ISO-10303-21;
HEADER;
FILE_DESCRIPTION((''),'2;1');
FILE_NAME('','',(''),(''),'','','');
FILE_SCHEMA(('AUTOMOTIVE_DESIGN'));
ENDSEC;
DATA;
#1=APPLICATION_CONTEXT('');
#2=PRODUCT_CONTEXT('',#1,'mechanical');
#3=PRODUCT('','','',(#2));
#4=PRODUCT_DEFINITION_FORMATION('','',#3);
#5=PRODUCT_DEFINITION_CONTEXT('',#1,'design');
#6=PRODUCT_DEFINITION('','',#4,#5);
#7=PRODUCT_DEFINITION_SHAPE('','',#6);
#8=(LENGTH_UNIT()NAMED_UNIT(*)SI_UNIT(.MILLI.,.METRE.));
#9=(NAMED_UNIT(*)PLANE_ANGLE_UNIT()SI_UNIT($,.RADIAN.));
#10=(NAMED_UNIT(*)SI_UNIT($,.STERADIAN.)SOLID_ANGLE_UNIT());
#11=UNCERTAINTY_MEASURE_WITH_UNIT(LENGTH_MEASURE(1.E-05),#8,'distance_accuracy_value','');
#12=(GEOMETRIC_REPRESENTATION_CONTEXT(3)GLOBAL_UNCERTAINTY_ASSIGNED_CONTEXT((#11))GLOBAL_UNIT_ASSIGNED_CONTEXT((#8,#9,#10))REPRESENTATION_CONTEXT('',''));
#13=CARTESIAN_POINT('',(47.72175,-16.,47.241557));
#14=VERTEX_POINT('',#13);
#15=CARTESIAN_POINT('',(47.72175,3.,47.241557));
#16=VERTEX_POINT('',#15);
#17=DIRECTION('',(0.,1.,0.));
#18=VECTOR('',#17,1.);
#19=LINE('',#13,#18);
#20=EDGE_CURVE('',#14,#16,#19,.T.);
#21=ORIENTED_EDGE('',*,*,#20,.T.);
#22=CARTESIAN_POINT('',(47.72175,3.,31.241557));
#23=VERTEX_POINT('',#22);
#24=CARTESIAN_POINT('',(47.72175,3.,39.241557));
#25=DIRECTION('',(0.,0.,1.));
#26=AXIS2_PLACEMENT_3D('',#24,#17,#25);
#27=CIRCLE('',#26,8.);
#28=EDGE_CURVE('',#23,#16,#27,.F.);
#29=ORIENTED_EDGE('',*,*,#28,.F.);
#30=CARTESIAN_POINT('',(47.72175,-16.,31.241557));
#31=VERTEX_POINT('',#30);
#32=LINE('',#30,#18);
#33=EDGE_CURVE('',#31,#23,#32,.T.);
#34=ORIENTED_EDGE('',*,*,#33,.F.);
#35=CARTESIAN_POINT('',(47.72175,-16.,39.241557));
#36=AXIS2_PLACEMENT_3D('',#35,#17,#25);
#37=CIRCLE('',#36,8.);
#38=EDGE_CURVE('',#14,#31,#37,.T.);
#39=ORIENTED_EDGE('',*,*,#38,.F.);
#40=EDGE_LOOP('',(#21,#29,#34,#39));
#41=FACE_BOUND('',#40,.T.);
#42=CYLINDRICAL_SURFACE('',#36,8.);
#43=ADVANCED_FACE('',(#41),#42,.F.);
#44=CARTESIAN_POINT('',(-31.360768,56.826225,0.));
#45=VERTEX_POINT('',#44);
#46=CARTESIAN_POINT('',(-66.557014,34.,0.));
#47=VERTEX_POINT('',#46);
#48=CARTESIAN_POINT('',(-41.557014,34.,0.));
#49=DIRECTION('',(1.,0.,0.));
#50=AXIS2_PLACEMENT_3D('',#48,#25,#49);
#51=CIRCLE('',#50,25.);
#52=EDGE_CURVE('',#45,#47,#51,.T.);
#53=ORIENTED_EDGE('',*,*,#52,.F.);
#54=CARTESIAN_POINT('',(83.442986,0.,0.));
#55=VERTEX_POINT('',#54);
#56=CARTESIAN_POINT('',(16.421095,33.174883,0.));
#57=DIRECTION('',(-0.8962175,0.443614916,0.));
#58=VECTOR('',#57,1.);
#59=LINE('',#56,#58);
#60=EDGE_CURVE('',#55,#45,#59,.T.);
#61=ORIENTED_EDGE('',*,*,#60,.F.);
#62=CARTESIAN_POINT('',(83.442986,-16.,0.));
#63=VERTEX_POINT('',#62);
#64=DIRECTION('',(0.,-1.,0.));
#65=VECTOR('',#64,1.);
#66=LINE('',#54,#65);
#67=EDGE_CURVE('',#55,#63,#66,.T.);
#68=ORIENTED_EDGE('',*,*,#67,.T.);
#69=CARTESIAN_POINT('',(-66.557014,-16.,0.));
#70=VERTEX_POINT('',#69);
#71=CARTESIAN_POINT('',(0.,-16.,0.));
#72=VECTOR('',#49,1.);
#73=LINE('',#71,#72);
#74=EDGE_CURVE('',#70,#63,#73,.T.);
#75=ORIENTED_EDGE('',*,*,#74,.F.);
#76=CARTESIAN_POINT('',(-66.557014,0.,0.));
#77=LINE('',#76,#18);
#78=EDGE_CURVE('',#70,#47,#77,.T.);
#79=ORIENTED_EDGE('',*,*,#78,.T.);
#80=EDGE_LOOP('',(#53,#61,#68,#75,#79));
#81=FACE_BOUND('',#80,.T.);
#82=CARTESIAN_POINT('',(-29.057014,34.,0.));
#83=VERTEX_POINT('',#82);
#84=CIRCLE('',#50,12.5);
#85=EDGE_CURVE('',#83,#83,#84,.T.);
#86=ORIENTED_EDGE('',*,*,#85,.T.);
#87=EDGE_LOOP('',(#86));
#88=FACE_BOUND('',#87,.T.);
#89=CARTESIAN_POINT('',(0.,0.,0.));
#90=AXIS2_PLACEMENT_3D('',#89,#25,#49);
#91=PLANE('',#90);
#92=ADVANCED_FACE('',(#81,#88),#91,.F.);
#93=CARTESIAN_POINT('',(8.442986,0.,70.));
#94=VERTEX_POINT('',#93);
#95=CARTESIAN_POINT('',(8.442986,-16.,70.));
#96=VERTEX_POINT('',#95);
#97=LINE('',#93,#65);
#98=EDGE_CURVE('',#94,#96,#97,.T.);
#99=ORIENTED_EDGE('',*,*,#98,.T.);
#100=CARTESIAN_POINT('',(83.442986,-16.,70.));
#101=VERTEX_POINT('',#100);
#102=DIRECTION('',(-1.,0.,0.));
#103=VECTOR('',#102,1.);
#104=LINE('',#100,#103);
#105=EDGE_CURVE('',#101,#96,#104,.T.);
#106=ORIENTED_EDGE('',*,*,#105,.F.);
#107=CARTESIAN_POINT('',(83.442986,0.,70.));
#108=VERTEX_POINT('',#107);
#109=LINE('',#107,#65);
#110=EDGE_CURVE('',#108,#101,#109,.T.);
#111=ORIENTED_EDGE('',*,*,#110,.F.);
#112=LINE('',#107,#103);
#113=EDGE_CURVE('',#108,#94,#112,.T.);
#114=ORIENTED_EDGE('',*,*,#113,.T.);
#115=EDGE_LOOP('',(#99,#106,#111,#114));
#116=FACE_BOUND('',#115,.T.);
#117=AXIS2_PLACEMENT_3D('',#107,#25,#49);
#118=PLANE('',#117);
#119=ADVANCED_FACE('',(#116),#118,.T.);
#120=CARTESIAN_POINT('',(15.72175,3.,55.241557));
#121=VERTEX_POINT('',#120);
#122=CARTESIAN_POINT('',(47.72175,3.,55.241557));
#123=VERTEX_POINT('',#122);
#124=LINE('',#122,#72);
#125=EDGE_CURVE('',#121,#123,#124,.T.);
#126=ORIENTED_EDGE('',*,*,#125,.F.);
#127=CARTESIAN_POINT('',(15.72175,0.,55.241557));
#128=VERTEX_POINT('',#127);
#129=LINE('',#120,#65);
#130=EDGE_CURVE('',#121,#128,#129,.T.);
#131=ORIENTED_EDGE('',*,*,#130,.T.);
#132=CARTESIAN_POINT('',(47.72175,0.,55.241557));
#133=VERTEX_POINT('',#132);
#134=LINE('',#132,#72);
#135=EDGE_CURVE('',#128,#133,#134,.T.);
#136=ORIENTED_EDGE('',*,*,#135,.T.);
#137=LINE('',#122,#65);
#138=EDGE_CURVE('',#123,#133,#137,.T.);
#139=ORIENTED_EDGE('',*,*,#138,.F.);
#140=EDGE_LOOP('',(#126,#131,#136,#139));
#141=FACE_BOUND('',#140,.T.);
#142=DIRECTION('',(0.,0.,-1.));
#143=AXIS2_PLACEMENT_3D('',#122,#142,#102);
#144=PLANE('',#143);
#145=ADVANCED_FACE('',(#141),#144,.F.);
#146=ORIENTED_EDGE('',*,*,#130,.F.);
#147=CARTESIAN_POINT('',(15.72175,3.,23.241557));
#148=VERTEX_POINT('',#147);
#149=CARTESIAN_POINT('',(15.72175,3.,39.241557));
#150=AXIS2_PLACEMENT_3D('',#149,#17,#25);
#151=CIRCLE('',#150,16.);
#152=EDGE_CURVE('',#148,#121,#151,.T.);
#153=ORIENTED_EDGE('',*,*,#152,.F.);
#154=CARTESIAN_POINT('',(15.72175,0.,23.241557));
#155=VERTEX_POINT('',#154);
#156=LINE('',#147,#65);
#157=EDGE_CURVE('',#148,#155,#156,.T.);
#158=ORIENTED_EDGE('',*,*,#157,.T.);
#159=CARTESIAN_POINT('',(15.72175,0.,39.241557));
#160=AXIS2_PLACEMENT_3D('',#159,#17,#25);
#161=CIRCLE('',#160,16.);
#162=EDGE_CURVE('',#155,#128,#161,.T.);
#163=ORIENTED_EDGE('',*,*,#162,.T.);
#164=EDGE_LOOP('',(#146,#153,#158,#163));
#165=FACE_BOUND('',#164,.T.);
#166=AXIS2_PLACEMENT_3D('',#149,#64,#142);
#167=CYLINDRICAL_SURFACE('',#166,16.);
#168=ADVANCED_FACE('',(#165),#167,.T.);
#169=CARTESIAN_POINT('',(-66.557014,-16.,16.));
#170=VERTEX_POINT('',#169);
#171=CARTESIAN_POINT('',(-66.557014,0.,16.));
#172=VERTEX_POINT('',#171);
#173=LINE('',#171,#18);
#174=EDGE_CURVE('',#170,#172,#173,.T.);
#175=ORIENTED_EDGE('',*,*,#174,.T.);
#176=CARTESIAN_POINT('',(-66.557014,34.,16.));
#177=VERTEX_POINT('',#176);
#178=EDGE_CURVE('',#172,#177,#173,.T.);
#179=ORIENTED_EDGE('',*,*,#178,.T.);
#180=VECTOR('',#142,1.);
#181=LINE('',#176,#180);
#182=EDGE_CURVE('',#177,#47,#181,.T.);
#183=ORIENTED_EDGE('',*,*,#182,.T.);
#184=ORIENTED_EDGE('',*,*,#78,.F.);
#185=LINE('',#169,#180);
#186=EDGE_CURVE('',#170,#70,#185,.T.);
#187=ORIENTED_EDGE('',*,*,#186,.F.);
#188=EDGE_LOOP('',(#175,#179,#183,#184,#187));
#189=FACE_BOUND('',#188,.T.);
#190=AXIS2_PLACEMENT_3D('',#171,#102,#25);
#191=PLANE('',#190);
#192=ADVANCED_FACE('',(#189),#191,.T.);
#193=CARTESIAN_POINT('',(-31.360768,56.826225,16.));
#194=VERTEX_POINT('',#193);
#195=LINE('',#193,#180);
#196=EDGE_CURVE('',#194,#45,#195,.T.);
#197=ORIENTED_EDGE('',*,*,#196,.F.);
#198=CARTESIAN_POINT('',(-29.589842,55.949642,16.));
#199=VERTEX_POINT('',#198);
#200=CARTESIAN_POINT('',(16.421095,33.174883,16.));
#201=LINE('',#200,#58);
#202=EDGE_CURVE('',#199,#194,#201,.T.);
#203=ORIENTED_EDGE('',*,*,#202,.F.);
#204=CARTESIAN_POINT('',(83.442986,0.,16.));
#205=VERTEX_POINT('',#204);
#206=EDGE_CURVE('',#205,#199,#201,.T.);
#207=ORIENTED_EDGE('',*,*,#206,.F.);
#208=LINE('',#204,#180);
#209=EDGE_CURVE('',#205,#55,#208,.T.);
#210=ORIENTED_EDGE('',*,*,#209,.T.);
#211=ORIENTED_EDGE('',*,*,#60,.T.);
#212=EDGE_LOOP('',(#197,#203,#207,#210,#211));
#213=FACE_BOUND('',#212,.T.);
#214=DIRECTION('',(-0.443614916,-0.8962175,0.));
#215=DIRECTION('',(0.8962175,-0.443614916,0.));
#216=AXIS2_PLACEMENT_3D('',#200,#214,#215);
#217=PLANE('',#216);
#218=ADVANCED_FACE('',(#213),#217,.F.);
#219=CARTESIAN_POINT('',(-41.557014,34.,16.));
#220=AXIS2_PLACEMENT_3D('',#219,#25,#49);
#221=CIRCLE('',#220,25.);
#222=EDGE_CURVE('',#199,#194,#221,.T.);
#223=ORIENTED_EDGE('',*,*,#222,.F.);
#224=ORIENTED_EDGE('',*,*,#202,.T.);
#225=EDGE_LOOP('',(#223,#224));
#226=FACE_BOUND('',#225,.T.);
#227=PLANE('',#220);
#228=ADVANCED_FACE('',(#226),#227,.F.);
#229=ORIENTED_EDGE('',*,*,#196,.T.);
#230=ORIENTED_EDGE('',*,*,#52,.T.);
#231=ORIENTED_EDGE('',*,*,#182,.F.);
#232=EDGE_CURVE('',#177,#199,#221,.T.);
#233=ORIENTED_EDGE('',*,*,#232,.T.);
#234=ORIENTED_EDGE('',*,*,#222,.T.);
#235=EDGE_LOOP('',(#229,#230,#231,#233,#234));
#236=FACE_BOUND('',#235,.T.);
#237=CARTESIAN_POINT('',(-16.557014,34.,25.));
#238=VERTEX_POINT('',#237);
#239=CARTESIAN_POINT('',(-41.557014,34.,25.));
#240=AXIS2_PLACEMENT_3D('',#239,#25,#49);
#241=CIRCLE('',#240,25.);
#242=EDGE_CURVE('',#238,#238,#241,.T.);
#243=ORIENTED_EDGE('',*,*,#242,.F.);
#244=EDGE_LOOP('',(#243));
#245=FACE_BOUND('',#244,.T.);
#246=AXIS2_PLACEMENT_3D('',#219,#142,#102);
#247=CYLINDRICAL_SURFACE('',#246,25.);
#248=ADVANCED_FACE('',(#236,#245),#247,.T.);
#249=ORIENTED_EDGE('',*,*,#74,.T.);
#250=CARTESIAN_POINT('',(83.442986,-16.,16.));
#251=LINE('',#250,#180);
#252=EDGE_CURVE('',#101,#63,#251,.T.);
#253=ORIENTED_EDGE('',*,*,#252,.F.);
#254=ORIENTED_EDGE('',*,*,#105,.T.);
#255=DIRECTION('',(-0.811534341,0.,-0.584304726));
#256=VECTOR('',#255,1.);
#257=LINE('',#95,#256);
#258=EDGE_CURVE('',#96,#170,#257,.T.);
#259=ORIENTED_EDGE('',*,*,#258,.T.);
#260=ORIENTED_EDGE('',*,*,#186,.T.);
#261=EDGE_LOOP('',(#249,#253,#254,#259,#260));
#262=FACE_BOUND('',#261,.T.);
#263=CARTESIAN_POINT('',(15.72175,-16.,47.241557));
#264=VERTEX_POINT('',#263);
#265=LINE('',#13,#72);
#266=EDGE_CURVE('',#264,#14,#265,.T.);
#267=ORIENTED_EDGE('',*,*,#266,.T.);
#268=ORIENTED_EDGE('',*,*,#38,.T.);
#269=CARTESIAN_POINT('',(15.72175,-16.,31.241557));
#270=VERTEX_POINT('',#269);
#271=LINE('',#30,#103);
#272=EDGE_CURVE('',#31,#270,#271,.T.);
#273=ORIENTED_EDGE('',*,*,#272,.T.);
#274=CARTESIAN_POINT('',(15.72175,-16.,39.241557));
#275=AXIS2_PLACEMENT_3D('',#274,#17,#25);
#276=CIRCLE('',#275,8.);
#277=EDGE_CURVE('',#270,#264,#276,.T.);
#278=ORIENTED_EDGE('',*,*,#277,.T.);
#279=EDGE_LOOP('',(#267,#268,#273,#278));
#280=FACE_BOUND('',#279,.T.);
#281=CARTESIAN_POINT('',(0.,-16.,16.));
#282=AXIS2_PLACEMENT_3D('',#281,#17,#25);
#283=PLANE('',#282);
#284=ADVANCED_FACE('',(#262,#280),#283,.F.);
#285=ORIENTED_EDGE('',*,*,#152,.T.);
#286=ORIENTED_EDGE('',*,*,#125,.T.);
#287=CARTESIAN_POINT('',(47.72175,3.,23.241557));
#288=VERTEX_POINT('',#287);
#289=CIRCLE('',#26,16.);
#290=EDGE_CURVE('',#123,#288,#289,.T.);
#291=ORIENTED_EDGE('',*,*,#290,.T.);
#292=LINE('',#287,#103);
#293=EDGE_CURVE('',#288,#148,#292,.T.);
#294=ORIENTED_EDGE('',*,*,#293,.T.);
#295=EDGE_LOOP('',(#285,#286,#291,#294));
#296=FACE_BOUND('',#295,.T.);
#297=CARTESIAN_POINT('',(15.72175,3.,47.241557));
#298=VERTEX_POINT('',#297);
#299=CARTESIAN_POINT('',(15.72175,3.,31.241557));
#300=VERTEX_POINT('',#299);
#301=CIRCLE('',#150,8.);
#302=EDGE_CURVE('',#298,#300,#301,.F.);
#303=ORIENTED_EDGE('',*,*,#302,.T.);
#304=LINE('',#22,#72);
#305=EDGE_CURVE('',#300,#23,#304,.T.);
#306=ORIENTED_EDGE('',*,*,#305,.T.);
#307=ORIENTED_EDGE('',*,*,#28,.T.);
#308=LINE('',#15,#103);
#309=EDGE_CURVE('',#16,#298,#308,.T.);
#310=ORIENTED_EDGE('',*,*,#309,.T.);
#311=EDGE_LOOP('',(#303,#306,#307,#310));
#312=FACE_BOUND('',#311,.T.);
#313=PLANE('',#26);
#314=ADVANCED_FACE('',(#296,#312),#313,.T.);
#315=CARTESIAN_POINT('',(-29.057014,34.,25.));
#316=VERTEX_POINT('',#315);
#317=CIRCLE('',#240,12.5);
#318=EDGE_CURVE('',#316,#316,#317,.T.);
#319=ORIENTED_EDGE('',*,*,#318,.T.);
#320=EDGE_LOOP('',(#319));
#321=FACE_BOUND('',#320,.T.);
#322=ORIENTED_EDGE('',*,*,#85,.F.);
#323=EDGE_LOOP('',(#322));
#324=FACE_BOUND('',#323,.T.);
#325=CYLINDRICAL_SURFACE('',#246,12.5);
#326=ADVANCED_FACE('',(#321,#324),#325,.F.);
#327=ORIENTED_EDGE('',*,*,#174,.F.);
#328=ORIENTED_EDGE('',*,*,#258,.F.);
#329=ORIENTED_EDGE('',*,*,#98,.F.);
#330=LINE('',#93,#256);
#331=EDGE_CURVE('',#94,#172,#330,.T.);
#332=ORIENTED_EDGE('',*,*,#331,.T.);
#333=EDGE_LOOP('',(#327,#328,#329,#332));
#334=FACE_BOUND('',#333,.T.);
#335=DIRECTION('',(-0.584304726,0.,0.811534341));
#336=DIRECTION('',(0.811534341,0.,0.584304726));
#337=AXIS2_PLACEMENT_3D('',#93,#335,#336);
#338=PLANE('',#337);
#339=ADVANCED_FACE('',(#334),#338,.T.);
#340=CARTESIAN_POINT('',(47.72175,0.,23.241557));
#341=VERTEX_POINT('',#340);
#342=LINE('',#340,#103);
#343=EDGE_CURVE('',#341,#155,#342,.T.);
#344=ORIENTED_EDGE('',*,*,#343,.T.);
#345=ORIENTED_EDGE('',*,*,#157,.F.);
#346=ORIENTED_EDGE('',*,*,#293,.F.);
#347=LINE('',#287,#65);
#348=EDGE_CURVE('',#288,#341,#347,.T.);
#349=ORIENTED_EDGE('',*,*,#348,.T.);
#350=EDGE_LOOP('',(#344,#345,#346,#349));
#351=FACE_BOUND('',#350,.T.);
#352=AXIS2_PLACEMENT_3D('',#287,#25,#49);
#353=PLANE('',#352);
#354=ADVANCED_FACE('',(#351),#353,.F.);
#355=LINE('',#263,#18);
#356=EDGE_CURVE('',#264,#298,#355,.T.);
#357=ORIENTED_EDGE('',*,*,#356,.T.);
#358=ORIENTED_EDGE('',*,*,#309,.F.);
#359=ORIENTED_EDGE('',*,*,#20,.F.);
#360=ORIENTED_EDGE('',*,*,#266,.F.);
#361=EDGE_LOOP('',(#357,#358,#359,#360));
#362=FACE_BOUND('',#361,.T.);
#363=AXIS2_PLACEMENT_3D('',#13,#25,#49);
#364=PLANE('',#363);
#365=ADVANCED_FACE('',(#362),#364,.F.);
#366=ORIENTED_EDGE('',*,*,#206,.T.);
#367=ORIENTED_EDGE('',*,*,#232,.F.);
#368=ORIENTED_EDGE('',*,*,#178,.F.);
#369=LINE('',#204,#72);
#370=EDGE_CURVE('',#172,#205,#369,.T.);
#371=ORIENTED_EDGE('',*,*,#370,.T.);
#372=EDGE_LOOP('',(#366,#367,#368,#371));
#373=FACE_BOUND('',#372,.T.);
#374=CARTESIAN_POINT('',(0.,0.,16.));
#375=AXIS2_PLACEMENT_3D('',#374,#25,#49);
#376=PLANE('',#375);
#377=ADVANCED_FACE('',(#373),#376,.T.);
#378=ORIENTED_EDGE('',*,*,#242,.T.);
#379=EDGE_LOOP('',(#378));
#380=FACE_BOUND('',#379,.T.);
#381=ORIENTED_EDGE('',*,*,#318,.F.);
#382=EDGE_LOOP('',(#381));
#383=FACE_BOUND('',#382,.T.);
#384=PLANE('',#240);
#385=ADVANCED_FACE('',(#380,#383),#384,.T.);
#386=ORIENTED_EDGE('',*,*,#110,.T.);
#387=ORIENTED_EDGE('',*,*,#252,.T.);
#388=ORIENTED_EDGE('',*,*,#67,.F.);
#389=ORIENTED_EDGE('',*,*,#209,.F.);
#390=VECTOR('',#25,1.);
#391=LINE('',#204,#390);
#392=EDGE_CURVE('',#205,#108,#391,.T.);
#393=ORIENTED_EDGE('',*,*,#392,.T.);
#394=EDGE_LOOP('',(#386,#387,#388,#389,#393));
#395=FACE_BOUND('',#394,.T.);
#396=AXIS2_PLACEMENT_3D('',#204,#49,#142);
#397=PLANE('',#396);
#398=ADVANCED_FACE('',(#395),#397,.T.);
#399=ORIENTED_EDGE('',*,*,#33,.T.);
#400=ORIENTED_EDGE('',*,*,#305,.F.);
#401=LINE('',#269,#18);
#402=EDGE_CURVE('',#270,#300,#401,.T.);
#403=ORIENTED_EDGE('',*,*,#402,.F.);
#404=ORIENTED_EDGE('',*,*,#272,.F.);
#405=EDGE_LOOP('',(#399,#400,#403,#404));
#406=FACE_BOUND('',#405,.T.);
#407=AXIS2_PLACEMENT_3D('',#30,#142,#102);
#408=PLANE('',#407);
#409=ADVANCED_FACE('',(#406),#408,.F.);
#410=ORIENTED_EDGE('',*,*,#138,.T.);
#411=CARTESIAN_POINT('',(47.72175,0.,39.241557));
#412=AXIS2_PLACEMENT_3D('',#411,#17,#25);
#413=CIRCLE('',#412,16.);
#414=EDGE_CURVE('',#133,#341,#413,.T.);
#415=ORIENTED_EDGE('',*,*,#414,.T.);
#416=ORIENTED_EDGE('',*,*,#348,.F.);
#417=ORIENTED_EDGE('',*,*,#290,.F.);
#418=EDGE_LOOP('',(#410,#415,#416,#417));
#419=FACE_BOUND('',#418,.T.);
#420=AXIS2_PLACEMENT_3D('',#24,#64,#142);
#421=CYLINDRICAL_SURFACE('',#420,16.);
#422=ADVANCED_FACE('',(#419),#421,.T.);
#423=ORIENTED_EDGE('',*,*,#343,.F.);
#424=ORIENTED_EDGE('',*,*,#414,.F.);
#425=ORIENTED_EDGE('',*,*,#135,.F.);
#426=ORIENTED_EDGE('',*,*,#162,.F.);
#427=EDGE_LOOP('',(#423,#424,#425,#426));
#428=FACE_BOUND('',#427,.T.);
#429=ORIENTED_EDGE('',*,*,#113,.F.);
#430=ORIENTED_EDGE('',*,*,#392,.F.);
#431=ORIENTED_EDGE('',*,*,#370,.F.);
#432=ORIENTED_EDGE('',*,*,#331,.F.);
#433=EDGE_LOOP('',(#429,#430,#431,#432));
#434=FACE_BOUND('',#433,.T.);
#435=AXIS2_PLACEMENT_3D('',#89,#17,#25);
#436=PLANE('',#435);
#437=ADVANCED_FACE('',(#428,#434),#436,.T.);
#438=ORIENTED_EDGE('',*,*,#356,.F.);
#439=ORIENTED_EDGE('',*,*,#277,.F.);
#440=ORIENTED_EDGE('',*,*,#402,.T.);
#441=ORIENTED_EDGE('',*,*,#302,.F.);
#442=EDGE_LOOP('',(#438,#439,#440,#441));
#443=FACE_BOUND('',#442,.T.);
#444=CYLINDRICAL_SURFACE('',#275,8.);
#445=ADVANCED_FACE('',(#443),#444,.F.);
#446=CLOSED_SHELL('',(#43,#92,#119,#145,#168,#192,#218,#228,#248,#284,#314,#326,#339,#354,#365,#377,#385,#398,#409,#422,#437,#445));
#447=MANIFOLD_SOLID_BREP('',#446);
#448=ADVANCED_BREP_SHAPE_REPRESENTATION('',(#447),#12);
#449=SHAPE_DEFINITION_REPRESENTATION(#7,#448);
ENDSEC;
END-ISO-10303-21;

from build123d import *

# Parameters (mm, degrees)
SKETCH1_R           = 12.5
SKETCH1_W           = 150
SKETCH1_H           = 16
BOSS_EXTRUDE4_DEPTH = 16
SKETCH6_R           = 25
SKETCH6_R_2         = 12.5
BOSS_EXTRUDE5_DEPTH = 9
BOSS_EXTRUDE6_DEPTH = 16
CUT_EXTRUDE2_DEPTH  = 17
BOSS_EXTRUDE7_DEPTH = 3
CUT_EXTRUDE6_DEPTH  = 60


with BuildPart() as part:
    # Sketch1 → Boss-Extrude4 (new body)
    with BuildSketch(Plane.XY):
        with BuildLine():
            ThreePointArc((-31.360767673, 56.826225363), (-55.160209154, 54.975058449), (-66.55701383, 34))
            ThreePointArc((-66.55701383, 34), (-41.55701383, 9), (-16.55701383, 34))
            ThreePointArc((-16.55701383, 34), (-20.060743341, 46.763634086), (-29.589842236, 55.949642459))
            Line((-29.589842236, 55.949642459), (-31.360767673, 56.826225363))
        make_face()
        with Locations((-41.55701383, 34)):
            Circle(SKETCH1_R, mode=Mode.SUBTRACT)
        with BuildLine():
            Line((-66.55701383, 34), (-66.55701383, 0))
            Line((-66.55701383, 0), (83.44298617, 0))
            Line((83.44298617, 0), (-29.589842236, 55.949642459))
            ThreePointArc((-29.589842236, 55.949642459), (-20.060743341, 46.763634086), (-16.55701383, 34))
            ThreePointArc((-16.55701383, 34), (-41.55701383, 9), (-66.55701383, 34))
        make_face()
        with Locations((8.44298617, -8)):
            Rectangle(SKETCH1_W, SKETCH1_H)
    extrude(amount=BOSS_EXTRUDE4_DEPTH)

    # Sketch6 → Boss-Extrude5 (add)
    with BuildSketch(Plane.XY.offset(16)):
        with Locations((-41.55701383, 34)):
            Circle(SKETCH6_R)
        with Locations((-41.55701383, 34)):
            Circle(SKETCH6_R_2, mode=Mode.SUBTRACT)
    extrude(amount=BOSS_EXTRUDE5_DEPTH)

    # Sketch7 → Boss-Extrude6 (add)
    with BuildSketch(Plane.XZ.offset(16)):
        Polygon((83.44298617, 16), (83.44298617, 70), (8.44298617, 70), (-66.55701383, 16), align=None)
    extrude(amount=-BOSS_EXTRUDE6_DEPTH)

    # Sketch8 → Cut-Extrude2 (cut, through all)
    with BuildSketch(Plane(origin=(0, 0, 0), x_dir=(1, 0, 0), z_dir=(0, 1, 0))):
        with BuildLine():
            Line((47.721749713, -47.241556866), (15.721749713, -47.241556866))
            ThreePointArc((15.721749713, -47.241556866), (7.721749713, -39.241556866), (15.721749713, -31.241556866))
            Line((15.721749713, -31.241556866), (47.721749713, -31.241556866))
            ThreePointArc((47.721749713, -31.241556866), (55.721749713, -39.241556866), (47.721749713, -47.241556866))
        make_face()
    extrude(amount=-CUT_EXTRUDE2_DEPTH, mode=Mode.SUBTRACT)

    # Sketch9 → Boss-Extrude7 (add)
    with BuildSketch(Plane(origin=(0, 0, 0), x_dir=(1, 0, 0), z_dir=(0, 1, 0))):
        with BuildLine():
            Line((47.721749713, -55.241556866), (15.721749713, -55.241556866))
            ThreePointArc((15.721749713, -55.241556866), (-0.278250287, -39.241556866), (15.721749713, -23.241556866))
            Line((15.721749713, -23.241556866), (47.721749713, -23.241556866))
            ThreePointArc((47.721749713, -23.241556866), (63.721749713, -39.241556866), (47.721749713, -55.241556866))
        make_face()
    extrude(amount=BOSS_EXTRUDE7_DEPTH)

    # Sketch10 → Cut-Extrude6 (cut, through all)
    with BuildSketch(Plane(origin=(0, 0, 0), x_dir=(1, 0, 0), z_dir=(0, 1, 0))):
        with BuildLine():
            Line((47.721749713, -47.241556866), (15.721749713, -47.241556866))
            ThreePointArc((15.721749713, -47.241556866), (7.721749713, -39.241556866), (15.721749713, -31.241556866))
            Line((15.721749713, -31.241556866), (47.721749713, -31.241556866))
            ThreePointArc((47.721749713, -31.241556866), (55.721749713, -39.241556866), (47.721749713, -47.241556866))
        make_face()
    extrude(amount=CUT_EXTRUDE6_DEPTH, mode=Mode.SUBTRACT)


solid = part.part
